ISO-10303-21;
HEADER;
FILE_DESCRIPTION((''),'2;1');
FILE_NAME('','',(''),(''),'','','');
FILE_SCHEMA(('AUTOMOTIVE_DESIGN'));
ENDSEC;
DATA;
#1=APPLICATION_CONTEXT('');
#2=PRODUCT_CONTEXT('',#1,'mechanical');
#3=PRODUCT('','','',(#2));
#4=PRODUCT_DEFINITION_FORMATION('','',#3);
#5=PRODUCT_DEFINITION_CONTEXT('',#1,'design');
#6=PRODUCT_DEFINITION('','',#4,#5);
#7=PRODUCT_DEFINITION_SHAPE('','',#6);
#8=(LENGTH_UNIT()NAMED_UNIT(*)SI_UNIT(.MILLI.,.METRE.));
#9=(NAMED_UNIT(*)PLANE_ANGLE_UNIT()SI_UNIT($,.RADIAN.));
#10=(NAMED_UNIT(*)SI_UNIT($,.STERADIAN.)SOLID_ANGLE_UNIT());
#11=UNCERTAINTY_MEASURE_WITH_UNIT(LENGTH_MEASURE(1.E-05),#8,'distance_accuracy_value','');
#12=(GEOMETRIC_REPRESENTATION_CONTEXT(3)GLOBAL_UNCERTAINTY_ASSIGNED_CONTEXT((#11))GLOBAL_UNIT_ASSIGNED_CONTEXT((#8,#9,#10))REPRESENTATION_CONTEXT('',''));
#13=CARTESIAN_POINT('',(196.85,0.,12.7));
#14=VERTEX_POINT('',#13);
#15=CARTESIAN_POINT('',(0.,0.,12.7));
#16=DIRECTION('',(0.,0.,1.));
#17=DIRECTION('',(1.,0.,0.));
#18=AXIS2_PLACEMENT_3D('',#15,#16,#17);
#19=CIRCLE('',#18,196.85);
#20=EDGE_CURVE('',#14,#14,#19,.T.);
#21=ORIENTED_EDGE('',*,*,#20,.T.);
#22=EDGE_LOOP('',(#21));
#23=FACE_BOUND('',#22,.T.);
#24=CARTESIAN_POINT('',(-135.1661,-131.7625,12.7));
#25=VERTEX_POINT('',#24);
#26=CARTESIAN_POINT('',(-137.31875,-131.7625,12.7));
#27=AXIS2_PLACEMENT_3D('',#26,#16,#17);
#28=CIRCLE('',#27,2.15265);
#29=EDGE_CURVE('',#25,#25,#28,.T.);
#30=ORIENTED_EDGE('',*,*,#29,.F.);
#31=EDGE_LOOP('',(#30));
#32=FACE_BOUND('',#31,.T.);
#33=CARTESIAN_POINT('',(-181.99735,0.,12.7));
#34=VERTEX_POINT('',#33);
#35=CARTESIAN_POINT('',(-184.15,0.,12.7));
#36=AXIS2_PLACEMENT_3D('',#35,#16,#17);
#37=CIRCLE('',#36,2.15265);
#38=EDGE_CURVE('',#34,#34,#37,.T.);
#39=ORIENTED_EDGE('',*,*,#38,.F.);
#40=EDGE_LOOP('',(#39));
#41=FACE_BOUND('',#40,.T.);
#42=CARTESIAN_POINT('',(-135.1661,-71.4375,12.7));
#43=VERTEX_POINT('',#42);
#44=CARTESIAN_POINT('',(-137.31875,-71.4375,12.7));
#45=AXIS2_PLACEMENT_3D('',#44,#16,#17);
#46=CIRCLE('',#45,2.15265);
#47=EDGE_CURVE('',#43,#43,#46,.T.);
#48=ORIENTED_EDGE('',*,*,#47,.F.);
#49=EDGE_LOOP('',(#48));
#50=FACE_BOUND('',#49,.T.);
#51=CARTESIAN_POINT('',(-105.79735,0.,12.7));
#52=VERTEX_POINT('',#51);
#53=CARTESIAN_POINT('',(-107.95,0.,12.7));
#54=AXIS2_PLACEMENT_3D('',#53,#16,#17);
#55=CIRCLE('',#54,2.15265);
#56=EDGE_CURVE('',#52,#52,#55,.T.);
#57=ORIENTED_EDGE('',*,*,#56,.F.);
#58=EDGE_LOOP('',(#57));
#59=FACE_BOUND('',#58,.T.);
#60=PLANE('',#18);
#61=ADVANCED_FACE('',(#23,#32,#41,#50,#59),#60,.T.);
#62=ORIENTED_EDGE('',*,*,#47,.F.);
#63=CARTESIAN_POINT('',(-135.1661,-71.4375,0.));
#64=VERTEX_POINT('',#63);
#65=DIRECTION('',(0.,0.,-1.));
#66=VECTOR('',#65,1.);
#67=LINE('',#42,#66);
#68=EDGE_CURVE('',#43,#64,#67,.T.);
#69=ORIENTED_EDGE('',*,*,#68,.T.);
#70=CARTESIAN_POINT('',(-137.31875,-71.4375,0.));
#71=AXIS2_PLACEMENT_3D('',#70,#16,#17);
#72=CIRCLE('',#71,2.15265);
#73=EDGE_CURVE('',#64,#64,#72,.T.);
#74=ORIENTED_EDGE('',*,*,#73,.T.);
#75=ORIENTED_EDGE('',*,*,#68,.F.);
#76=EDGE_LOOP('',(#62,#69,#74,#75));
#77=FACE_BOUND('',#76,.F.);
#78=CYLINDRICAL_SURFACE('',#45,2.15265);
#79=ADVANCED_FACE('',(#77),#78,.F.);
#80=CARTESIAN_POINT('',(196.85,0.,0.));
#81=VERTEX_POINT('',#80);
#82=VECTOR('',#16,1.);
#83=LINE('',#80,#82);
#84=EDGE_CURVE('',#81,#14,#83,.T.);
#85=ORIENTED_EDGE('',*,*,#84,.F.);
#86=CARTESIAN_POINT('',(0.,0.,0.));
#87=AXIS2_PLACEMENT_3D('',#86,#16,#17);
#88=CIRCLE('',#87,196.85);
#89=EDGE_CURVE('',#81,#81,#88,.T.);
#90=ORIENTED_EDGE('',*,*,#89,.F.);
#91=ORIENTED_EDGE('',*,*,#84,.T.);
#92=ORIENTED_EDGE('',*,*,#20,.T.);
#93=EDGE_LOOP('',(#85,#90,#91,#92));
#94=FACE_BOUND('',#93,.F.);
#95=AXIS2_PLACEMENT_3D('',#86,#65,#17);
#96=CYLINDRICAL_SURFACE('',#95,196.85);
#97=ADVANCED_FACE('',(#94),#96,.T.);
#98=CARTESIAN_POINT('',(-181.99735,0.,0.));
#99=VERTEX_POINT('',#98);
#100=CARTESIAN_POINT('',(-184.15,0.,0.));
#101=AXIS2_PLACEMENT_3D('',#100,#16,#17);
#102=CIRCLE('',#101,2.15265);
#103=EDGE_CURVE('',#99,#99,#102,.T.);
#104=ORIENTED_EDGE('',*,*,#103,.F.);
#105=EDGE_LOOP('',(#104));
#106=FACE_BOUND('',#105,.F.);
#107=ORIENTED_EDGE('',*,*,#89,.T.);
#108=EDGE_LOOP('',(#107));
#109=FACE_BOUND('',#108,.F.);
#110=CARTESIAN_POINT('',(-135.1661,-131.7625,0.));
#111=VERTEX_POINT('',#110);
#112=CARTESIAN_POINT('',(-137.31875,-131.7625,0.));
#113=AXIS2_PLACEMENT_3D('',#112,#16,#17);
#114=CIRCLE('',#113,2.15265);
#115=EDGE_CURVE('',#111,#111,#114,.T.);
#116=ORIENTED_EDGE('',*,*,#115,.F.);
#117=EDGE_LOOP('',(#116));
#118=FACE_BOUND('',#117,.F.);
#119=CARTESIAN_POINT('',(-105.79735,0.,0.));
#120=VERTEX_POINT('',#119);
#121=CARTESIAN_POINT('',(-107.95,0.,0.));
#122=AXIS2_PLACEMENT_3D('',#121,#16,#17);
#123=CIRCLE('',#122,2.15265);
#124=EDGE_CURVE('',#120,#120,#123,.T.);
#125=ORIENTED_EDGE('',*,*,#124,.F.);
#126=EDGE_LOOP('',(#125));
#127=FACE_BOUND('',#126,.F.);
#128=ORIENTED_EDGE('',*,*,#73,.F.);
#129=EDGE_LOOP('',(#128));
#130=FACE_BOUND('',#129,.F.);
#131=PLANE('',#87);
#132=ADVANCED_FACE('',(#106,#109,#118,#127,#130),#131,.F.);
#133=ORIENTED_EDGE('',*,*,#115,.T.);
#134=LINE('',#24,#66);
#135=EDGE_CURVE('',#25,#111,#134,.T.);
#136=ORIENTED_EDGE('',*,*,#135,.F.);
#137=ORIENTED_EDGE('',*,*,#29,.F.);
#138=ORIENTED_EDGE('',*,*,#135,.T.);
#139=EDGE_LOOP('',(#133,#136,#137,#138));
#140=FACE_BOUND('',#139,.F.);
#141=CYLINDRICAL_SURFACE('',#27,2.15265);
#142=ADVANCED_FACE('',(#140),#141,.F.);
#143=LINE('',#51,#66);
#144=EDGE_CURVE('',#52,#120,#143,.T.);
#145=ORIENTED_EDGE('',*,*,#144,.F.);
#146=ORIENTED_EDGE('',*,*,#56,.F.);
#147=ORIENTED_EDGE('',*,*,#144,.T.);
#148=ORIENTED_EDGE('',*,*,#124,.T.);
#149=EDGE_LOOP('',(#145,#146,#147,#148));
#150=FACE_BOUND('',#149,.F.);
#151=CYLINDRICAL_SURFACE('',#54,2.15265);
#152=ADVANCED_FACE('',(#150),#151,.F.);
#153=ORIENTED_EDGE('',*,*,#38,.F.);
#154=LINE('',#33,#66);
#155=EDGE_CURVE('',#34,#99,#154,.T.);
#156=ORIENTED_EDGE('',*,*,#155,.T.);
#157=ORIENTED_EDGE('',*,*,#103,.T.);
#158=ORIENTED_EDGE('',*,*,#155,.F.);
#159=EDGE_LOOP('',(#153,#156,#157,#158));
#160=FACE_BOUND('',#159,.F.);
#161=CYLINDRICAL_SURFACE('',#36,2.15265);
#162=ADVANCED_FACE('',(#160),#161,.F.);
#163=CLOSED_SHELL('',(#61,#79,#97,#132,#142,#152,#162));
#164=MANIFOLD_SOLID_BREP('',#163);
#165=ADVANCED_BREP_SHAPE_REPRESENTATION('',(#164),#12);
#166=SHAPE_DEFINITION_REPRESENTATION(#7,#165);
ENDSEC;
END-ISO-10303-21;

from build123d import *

# Parameters (mm, degrees)
F0_R     = 196.85
F1_DEPTH = 12.7
F2_R     = 2.15265
F3_DEPTH = 12.7


with BuildPart() as f1:
    # F0 (on Top) → F1 (new body)
    with BuildSketch(Plane.XY):
        Circle(F0_R)
    extrude(amount=F1_DEPTH)

    # F2 (on face) → F3 (cut, through all)
    with BuildSketch(Plane.XY.offset(12.7)):
        with Locations((-137.31875, -71.4375)):
            Circle(F2_R)
        with Locations((-137.31875, -131.7625)):
            Circle(F2_R)
        with Locations((-197.64375, -71.4375)):
            Circle(F2_R)
        with Locations((-197.64375, -131.7625)):
            Circle(F2_R)
        with Locations((-107.95, 0)):
            Circle(F2_R)
        with Locations((-184.15, 0)):
            Circle(F2_R)
    extrude(amount=-F3_DEPTH, mode=Mode.SUBTRACT)


solid = f1.part
